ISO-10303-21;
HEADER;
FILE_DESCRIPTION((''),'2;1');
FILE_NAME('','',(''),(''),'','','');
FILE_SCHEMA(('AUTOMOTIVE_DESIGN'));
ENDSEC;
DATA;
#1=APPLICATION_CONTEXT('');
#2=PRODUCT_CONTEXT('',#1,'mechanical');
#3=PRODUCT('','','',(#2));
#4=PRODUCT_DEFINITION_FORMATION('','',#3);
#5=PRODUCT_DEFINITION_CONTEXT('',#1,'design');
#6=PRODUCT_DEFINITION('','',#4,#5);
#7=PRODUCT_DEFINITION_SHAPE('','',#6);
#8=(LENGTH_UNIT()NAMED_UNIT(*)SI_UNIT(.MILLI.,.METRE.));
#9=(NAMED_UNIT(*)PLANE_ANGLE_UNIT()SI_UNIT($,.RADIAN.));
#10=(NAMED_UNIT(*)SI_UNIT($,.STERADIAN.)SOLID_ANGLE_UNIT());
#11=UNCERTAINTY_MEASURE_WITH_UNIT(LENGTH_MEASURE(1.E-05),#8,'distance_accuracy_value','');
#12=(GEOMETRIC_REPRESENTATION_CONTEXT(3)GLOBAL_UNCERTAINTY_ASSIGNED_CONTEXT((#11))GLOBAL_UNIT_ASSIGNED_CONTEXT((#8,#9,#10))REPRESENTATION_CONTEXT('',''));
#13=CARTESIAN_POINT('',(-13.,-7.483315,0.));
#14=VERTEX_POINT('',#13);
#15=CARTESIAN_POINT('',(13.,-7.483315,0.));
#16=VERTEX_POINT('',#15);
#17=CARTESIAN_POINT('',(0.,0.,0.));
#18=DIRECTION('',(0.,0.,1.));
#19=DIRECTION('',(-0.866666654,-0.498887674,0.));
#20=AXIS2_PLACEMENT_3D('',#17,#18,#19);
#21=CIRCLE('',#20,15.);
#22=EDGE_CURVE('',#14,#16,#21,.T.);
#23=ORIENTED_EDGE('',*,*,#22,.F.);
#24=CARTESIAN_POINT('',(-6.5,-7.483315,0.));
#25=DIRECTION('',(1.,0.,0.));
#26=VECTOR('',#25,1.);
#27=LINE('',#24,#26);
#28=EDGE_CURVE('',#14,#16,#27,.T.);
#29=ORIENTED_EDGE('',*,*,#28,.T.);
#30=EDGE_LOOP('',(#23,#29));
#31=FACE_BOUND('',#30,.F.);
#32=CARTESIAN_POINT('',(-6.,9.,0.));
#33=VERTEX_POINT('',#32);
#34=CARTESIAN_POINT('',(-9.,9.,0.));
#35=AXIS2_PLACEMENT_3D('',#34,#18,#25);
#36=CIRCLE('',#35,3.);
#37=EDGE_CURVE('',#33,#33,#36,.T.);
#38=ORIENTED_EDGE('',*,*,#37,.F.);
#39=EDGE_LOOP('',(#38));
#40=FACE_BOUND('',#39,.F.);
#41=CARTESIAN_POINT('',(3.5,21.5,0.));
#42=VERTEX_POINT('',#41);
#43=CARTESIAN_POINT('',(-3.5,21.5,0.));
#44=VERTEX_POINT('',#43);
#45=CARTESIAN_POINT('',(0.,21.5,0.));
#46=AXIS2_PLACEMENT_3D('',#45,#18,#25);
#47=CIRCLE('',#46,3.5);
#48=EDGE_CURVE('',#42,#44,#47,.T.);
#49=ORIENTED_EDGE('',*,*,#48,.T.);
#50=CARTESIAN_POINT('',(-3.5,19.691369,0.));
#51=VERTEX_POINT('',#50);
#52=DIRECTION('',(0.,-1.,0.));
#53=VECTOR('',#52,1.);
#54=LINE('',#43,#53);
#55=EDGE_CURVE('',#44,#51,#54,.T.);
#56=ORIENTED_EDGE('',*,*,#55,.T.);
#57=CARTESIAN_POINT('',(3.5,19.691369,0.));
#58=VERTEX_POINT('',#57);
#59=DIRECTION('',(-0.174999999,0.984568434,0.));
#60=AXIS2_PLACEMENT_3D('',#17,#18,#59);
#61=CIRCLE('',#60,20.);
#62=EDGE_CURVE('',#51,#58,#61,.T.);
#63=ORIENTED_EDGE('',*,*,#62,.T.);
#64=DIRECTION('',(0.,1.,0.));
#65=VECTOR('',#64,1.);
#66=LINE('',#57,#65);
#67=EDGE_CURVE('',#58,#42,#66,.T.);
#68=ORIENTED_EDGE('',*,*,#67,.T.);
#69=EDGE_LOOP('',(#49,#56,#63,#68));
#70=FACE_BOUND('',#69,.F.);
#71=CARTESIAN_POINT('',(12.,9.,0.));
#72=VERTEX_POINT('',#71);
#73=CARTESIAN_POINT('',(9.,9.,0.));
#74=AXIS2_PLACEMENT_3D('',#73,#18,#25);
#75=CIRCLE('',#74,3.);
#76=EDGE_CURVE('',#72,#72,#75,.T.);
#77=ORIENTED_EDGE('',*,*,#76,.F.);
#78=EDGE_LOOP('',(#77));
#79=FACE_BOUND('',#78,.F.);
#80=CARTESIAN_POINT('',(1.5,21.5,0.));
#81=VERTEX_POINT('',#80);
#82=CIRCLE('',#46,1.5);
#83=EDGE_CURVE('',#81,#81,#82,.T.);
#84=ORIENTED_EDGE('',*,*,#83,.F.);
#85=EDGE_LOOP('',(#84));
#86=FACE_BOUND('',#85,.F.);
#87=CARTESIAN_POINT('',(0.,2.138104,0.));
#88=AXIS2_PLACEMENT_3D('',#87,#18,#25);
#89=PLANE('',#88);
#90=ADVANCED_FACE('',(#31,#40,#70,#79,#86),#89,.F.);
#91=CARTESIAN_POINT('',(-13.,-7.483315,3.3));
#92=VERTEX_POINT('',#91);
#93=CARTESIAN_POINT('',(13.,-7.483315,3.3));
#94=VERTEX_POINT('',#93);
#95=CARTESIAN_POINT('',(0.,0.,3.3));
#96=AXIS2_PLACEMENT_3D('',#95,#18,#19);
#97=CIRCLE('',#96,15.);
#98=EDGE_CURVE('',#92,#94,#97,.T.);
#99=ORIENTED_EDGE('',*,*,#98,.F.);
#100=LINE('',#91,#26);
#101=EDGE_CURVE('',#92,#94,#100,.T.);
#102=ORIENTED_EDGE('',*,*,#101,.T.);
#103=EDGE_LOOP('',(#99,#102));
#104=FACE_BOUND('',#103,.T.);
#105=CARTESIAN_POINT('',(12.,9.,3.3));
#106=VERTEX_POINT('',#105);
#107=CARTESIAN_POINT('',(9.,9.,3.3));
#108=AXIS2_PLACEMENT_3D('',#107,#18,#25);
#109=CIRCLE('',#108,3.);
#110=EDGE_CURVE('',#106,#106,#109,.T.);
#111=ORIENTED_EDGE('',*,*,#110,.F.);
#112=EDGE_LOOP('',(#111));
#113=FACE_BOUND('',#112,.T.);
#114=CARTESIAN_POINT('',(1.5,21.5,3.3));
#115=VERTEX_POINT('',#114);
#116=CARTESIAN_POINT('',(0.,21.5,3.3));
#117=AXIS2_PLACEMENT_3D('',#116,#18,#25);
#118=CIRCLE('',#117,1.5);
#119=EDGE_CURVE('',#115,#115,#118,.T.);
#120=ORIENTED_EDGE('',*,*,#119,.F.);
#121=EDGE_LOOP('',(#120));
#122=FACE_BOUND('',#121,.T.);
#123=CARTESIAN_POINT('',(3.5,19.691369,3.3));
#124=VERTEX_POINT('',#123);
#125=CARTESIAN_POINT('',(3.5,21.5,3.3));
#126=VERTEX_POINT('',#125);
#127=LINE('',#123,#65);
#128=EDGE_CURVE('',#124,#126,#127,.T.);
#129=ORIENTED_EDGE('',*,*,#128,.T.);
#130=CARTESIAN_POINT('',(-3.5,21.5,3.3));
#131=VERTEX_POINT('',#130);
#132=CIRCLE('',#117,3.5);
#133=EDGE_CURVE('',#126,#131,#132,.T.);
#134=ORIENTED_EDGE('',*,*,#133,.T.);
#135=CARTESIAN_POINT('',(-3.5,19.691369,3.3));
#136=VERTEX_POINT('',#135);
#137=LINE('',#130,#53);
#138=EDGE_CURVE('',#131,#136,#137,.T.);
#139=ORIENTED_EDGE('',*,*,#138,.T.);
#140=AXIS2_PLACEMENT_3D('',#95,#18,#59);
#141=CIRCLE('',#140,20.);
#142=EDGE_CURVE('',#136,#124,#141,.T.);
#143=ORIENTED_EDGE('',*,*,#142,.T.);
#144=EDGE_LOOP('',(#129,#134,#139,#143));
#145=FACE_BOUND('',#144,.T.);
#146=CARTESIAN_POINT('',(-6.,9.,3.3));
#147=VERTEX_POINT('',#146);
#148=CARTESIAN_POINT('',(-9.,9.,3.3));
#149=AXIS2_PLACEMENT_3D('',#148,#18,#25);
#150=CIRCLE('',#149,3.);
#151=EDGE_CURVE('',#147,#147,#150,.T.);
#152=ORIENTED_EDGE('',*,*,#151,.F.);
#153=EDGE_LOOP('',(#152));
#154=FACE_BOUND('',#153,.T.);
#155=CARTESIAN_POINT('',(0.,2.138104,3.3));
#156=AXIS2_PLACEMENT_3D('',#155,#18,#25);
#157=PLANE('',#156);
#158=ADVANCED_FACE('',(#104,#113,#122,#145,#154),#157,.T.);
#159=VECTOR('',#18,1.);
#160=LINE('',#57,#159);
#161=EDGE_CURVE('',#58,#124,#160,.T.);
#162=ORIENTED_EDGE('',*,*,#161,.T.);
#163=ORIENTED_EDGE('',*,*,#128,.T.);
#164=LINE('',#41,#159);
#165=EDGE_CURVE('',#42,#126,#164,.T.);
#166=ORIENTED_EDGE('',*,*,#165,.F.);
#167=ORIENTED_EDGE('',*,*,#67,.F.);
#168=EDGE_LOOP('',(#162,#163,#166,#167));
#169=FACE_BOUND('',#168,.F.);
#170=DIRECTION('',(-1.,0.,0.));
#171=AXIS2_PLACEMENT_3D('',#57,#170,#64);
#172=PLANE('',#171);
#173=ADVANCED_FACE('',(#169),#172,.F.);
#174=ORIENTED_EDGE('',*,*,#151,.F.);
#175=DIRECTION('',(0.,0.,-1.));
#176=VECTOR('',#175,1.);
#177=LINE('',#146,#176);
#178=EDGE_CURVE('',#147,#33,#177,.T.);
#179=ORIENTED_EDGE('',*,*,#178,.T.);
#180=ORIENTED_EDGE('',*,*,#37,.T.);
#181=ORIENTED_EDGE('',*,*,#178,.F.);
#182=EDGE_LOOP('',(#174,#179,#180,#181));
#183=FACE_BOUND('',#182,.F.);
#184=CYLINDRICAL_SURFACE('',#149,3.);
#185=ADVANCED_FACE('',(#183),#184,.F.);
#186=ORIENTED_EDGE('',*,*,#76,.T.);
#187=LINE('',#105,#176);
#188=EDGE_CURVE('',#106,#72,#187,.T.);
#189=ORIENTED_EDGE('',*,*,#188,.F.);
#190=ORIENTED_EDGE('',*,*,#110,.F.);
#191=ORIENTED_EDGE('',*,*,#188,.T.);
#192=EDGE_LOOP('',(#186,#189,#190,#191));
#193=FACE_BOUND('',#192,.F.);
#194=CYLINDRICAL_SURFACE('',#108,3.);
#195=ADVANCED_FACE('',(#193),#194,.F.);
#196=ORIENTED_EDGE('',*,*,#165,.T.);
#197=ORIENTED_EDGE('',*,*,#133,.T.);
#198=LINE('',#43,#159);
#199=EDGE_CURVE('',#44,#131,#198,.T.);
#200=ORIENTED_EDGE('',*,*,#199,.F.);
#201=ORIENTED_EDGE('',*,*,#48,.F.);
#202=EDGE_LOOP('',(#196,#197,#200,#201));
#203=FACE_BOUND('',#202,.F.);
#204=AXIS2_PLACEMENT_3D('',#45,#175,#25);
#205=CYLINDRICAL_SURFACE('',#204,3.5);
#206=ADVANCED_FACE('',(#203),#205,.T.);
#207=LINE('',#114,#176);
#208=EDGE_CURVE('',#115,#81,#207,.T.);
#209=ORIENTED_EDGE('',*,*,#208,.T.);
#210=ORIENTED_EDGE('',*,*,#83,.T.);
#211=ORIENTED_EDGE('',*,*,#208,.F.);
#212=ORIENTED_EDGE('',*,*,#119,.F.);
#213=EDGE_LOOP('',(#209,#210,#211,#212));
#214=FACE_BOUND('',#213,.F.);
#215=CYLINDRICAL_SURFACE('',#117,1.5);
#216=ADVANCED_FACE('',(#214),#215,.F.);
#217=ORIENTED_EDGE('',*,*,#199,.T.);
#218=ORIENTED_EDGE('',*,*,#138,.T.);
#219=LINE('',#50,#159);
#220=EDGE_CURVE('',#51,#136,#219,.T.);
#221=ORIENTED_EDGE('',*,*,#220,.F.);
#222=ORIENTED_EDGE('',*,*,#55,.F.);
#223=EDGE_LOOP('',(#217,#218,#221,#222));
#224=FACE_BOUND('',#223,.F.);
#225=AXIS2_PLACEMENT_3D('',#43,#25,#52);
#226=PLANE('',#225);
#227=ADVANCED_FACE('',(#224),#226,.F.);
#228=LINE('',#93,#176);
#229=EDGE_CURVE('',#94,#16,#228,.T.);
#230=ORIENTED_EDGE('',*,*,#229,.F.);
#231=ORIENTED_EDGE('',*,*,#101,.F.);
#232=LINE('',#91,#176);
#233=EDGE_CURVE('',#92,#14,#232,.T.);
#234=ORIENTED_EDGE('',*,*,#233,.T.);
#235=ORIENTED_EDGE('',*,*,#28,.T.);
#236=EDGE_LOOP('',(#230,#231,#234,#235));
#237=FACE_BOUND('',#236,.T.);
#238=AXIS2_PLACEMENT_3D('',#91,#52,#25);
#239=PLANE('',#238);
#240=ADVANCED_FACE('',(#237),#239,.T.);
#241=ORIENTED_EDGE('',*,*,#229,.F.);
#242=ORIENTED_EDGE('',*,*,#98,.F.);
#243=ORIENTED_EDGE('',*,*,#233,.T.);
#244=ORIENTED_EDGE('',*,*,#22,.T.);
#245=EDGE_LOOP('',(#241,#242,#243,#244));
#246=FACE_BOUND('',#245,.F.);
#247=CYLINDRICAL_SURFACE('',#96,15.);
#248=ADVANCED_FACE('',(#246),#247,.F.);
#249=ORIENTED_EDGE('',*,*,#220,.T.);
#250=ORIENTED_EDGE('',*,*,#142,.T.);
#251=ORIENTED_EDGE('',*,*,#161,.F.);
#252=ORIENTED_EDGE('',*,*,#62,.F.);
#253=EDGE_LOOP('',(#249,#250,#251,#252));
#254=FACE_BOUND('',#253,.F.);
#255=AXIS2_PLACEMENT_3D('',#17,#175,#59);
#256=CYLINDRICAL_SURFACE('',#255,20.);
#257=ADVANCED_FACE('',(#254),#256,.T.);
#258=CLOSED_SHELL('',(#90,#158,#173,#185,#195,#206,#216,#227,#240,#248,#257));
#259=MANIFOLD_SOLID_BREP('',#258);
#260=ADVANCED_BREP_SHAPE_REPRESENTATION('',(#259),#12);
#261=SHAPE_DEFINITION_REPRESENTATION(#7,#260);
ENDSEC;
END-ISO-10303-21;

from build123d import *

# Parameters (mm, degrees)
EXTRUDE_DEPTH   = 3.3
SKETCH001_R     = 1.5
POCKET_DEPTH    = 3.301
SKETCH002_R     = 3
POCKET001_DEPTH = 5


with BuildPart() as part:
    # Sketch → Extrude (new body)
    with BuildSketch(Plane.XY):
        with BuildLine():
            ThreePointArc((3.5, 21.5), (0, 25), (-3.5, 21.5))
            Line((-3.5, 21.5), (-3.5, 19.691369))
            ThreePointArc((-3.5, 19.691369), (0, -20), (3.5, 19.691369))
            Line((3.5, 19.691369), (3.5, 21.5))
        make_face()
    extrude(amount=EXTRUDE_DEPTH)

    # Sketch001 (on Face6 of Extrude) → Pocket (cut, through all)
    with BuildSketch(Plane.XY.offset(3.3)):
        with Locations((0, 21.5)):
            Circle(SKETCH001_R)
    extrude(amount=-POCKET_DEPTH, mode=Mode.SUBTRACT)

    # Sketch002 → Pocket001 (cut)
    with BuildSketch(Plane.XY.offset(3.3)):
        with Locations((-9, 9)):
            Circle(SKETCH002_R)
        with Locations((9, 9)):
            Circle(SKETCH002_R)
        with BuildLine():
            Line((-13, -7.483315), (13, -7.483315))
            ThreePointArc((-13, -7.483315), (0, -15), (13, -7.483315))
        make_face()
    extrude(amount=-POCKET001_DEPTH, mode=Mode.SUBTRACT)


solid = part.part
